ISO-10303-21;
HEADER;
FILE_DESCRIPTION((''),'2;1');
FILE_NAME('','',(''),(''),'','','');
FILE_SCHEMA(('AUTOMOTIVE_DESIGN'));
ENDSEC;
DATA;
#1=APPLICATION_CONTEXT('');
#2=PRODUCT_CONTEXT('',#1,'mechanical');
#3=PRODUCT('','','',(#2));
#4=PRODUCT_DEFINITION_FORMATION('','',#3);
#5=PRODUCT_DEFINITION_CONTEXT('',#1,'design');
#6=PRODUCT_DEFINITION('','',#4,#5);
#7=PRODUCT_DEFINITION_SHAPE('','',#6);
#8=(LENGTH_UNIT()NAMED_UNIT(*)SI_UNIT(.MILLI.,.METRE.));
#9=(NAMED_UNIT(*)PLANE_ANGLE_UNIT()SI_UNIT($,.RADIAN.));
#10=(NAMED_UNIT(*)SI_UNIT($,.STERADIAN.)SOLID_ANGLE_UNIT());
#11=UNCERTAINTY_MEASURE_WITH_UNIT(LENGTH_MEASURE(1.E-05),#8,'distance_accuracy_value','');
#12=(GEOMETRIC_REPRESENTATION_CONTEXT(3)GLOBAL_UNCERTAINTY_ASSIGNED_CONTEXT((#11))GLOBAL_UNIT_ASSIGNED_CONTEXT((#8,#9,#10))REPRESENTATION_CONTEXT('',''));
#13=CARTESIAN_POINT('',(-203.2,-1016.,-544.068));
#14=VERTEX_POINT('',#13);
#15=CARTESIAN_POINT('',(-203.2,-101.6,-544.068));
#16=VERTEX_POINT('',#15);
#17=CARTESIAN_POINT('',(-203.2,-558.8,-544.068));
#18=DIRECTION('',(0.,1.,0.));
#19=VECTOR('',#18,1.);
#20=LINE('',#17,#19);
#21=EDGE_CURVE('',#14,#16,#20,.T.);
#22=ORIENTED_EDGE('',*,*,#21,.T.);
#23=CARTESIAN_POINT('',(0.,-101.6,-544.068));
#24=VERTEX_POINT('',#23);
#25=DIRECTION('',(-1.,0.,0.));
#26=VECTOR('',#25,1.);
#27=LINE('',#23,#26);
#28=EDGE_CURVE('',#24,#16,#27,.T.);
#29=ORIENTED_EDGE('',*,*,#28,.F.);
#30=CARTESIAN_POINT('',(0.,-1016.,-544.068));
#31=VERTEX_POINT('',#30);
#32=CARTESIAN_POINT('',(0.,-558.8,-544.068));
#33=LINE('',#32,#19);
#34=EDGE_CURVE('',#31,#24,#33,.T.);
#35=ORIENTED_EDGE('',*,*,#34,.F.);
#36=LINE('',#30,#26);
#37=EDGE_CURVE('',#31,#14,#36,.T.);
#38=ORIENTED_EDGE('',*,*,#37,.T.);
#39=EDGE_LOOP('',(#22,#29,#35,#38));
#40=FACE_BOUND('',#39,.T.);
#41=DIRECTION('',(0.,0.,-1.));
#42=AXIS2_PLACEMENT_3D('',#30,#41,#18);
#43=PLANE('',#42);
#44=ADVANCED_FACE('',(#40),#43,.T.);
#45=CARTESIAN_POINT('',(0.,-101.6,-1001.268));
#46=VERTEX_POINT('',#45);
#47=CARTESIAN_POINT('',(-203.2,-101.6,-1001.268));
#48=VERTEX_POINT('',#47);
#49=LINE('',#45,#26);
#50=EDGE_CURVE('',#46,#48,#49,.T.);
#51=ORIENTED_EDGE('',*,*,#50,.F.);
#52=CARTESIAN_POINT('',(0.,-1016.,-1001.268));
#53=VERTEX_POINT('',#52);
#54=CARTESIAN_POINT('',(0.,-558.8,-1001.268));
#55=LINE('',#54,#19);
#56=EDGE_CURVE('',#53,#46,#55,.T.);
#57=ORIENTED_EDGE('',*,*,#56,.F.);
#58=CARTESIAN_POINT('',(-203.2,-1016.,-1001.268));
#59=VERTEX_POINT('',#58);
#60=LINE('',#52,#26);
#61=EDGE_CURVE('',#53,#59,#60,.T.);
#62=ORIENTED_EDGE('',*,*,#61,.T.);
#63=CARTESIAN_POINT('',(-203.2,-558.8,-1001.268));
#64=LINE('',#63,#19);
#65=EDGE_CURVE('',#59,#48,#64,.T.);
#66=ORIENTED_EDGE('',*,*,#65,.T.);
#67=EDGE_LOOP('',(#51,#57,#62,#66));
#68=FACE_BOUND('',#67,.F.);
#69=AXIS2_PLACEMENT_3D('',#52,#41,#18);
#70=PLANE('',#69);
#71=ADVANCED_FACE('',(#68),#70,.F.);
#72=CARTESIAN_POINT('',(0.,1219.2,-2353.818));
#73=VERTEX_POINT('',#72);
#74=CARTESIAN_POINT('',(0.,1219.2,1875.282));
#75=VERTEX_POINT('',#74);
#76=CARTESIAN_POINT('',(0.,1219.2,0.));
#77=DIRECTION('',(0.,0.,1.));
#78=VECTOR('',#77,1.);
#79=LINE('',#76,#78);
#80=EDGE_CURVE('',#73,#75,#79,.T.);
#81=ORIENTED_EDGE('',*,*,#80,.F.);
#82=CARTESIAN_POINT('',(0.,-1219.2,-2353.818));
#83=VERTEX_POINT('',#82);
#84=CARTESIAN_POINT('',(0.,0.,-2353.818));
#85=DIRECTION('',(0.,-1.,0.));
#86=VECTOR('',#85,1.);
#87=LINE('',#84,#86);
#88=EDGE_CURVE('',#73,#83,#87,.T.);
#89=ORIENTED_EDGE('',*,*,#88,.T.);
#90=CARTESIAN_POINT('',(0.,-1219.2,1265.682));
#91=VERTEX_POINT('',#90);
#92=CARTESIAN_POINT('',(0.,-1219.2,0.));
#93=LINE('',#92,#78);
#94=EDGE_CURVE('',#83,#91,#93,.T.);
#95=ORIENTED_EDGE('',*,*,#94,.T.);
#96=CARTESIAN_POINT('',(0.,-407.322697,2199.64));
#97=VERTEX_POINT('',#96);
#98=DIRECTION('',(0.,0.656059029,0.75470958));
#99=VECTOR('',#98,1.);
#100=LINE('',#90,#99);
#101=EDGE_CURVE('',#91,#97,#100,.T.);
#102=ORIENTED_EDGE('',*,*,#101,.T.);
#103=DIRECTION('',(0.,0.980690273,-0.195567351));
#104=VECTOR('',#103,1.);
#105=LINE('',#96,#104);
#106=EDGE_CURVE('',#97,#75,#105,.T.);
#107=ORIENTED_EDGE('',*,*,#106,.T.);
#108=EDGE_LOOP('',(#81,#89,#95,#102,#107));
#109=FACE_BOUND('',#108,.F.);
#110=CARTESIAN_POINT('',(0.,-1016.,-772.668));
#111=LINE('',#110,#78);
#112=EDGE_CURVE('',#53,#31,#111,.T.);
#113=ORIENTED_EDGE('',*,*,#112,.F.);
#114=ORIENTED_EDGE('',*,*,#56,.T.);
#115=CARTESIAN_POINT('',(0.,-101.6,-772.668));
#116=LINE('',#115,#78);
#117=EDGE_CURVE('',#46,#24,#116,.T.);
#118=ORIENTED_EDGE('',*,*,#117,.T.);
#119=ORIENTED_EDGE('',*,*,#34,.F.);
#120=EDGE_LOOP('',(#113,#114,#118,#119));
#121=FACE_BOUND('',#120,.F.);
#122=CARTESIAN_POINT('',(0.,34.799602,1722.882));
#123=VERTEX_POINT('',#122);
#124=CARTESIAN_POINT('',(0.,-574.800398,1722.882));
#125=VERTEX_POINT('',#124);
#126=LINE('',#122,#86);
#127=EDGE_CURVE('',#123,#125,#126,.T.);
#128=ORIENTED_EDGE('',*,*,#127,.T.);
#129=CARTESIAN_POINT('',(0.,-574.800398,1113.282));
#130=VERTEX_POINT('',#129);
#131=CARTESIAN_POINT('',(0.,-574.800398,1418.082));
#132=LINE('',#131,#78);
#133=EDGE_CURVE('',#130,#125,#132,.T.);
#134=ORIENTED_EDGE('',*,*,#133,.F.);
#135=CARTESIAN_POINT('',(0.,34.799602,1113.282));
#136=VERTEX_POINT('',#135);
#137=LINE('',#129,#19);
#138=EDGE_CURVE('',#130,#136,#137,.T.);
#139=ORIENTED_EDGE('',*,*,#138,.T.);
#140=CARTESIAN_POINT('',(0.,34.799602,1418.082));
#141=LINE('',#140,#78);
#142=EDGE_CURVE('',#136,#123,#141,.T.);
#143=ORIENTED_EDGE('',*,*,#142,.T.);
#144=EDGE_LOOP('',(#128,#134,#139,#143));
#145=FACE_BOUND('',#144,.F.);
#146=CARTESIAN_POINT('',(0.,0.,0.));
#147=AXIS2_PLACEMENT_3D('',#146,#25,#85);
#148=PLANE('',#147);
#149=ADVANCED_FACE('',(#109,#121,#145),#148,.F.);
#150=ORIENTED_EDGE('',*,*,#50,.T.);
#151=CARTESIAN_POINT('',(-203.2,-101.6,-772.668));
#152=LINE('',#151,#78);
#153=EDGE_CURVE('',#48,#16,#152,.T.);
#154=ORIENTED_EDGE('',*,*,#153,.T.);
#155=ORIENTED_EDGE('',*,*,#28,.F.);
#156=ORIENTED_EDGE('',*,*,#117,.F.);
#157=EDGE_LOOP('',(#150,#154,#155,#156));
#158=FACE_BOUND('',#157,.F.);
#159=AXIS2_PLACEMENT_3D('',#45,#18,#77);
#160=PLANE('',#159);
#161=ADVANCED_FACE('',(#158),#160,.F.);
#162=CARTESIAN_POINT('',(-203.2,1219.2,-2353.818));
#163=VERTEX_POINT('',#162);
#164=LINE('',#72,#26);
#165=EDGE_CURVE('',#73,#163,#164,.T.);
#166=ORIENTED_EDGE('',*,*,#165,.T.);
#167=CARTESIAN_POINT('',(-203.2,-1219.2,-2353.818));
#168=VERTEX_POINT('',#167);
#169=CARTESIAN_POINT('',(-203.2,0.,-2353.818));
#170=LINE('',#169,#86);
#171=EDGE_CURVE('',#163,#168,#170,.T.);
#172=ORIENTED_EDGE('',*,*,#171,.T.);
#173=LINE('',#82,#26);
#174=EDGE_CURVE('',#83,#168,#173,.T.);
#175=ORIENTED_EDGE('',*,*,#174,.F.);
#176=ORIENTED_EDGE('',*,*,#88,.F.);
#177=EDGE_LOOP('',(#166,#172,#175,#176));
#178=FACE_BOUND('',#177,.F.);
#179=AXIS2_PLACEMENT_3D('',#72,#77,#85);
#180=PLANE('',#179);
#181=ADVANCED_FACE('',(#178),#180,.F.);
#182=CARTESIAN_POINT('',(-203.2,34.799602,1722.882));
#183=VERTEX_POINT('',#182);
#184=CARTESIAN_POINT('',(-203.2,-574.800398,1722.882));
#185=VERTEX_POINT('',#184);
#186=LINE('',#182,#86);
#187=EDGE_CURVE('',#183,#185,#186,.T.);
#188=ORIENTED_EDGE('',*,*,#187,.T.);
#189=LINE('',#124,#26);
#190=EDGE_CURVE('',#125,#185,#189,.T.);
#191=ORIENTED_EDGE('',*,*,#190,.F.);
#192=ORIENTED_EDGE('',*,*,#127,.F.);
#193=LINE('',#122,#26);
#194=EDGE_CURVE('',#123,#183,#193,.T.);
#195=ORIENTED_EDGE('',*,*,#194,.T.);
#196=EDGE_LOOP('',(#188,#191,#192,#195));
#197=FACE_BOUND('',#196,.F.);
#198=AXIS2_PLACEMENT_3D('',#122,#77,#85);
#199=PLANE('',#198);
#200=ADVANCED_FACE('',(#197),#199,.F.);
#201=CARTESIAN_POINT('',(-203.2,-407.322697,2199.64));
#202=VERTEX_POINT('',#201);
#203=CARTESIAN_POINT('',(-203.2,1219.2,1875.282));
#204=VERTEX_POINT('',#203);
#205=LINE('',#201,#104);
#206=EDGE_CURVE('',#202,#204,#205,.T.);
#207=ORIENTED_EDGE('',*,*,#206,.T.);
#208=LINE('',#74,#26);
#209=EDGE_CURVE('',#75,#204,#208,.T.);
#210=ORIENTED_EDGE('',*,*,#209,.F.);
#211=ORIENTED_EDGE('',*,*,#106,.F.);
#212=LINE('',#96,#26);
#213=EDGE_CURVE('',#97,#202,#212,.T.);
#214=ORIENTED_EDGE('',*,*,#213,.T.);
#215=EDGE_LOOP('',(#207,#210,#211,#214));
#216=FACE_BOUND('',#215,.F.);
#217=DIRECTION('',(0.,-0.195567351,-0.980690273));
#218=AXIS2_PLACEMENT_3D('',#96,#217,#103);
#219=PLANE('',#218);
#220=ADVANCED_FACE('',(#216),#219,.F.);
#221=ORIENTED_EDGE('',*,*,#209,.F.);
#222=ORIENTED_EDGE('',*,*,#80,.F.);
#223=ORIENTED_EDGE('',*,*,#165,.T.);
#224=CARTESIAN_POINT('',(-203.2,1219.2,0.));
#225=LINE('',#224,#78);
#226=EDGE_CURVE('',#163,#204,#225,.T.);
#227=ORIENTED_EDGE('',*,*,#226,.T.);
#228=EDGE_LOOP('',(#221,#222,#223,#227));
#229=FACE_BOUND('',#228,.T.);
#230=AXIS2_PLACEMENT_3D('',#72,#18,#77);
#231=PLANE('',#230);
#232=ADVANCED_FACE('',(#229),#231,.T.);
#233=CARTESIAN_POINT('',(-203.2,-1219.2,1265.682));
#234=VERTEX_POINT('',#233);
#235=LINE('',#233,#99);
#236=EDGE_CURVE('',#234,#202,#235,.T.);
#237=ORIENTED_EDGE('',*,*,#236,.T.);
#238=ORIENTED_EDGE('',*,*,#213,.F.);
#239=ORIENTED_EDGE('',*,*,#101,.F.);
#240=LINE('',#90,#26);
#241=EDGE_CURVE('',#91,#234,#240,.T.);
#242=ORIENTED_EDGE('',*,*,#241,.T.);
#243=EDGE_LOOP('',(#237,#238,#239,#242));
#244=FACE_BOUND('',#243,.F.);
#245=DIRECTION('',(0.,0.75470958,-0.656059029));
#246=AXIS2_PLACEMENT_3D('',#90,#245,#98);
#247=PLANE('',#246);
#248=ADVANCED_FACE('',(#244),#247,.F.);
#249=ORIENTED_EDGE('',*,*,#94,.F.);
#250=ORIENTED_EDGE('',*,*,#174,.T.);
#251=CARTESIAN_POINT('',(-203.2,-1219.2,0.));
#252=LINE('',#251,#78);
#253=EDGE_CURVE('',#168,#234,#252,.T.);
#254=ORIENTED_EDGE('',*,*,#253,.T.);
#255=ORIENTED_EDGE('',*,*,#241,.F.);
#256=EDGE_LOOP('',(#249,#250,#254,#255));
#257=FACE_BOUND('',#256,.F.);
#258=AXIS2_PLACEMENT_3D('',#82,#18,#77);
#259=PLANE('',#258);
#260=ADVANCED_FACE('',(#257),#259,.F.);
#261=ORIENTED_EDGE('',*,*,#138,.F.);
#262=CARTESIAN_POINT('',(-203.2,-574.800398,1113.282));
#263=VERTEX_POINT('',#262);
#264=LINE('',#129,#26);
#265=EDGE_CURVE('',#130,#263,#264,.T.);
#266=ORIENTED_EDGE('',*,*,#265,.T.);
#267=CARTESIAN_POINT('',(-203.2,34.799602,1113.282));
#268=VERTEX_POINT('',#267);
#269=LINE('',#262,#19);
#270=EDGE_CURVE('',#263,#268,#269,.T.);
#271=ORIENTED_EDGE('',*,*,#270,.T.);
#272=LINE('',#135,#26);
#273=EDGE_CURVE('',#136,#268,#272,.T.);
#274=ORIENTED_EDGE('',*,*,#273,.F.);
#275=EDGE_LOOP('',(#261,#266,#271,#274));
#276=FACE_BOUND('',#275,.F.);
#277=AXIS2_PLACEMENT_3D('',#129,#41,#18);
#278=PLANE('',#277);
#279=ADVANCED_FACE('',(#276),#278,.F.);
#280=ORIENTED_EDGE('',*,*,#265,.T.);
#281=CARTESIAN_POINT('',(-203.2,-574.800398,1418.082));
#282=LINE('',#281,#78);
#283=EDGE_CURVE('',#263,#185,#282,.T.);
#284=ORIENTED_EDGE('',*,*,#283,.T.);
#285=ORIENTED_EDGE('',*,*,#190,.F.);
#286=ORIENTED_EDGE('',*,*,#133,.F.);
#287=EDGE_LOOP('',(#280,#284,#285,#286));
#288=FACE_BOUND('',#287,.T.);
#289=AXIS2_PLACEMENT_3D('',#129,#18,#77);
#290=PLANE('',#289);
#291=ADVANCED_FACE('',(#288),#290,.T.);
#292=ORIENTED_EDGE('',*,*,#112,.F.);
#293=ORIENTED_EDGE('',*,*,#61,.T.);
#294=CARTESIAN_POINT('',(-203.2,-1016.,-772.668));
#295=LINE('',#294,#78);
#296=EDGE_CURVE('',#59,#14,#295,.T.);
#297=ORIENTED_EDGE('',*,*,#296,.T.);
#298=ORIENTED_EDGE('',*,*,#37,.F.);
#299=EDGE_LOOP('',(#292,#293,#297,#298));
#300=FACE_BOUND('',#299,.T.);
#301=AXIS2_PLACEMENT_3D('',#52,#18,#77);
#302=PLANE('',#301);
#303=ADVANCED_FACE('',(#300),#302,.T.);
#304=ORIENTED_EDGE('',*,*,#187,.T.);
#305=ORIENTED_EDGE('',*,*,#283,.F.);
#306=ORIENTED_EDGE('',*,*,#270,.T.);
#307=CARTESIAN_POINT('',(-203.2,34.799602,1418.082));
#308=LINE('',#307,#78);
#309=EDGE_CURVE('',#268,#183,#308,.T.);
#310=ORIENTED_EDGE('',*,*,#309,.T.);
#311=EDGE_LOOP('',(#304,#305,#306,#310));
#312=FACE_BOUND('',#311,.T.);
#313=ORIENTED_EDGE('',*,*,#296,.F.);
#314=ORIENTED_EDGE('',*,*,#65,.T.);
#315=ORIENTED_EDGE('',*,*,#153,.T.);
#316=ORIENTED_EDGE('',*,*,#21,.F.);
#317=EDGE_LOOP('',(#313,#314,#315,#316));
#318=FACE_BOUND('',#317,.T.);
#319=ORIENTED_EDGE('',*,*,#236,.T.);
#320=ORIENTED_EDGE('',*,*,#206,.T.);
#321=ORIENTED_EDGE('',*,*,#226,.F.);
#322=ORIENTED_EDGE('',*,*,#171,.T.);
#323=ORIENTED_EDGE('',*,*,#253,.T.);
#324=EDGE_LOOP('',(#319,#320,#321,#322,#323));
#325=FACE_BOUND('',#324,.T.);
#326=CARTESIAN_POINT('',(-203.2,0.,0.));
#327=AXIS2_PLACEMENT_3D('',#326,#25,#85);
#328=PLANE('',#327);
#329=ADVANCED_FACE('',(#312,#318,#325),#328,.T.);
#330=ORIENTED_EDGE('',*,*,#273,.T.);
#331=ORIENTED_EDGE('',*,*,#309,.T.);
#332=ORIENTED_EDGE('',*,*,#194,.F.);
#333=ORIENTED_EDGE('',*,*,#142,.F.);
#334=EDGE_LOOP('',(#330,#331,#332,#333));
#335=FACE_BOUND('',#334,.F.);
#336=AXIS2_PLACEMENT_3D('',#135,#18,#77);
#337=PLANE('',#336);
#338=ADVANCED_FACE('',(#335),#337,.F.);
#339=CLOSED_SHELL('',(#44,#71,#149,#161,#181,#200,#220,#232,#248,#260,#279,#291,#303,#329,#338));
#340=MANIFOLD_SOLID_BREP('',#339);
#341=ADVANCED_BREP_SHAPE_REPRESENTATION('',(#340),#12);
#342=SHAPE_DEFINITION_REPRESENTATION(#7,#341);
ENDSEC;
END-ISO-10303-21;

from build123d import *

# Parameters (mm, degrees)
F0_W     = 2438.4
F0_H     = 4707.636
F1_DEPTH = 203.2
F3_ANGLE = 180
F5_DEPTH = 203.2
F6_W     = 914.4
F6_H     = 457.2
F7_DEPTH = 203.2
F8_W     = 304.8
F8_H     = 609.6
F9_DEPTH = 203.2


with BuildPart() as f1:
    # F0 (on Right) → F1 (new body)
    with BuildSketch(Plane.YZ):
        Rectangle(F0_W, F0_H)
    extrude(amount=F1_DEPTH)


with BuildPart() as f1_1:
    # F3: moved
    add(f1.part.rotate(Axis((0, 0, -18.999701), (0, 0, -1)), F3_ANGLE))

    # F4 (on face) → F5 (cut)
    with BuildSketch(Plane.YZ):
        Polygon((-1219.2, 1265.682), (-407.322697, 2199.64), (1219.2, 1875.282), (1219.2, 2353.818), (-1219.2, 2353.818), align=None)
    extrude(amount=-F5_DEPTH, mode=Mode.SUBTRACT)

    # F6 (on face) → F7 (cut)
    with BuildSketch(Plane.YZ):
        with Locations((-558.8, -772.668)):
            Rectangle(F6_W, F6_H)
    extrude(amount=-F7_DEPTH, mode=Mode.SUBTRACT)

    # F8 (on face) → F9 (cut)
    with BuildSketch(Plane.YZ):
        with Locations((-422.400398, 1418.082)):
            Rectangle(F8_W, F8_H)
        with Locations((-117.600398, 1418.082)):
            Rectangle(F8_W, F8_H)
    extrude(amount=-F9_DEPTH, mode=Mode.SUBTRACT)


solid = f1_1.part
